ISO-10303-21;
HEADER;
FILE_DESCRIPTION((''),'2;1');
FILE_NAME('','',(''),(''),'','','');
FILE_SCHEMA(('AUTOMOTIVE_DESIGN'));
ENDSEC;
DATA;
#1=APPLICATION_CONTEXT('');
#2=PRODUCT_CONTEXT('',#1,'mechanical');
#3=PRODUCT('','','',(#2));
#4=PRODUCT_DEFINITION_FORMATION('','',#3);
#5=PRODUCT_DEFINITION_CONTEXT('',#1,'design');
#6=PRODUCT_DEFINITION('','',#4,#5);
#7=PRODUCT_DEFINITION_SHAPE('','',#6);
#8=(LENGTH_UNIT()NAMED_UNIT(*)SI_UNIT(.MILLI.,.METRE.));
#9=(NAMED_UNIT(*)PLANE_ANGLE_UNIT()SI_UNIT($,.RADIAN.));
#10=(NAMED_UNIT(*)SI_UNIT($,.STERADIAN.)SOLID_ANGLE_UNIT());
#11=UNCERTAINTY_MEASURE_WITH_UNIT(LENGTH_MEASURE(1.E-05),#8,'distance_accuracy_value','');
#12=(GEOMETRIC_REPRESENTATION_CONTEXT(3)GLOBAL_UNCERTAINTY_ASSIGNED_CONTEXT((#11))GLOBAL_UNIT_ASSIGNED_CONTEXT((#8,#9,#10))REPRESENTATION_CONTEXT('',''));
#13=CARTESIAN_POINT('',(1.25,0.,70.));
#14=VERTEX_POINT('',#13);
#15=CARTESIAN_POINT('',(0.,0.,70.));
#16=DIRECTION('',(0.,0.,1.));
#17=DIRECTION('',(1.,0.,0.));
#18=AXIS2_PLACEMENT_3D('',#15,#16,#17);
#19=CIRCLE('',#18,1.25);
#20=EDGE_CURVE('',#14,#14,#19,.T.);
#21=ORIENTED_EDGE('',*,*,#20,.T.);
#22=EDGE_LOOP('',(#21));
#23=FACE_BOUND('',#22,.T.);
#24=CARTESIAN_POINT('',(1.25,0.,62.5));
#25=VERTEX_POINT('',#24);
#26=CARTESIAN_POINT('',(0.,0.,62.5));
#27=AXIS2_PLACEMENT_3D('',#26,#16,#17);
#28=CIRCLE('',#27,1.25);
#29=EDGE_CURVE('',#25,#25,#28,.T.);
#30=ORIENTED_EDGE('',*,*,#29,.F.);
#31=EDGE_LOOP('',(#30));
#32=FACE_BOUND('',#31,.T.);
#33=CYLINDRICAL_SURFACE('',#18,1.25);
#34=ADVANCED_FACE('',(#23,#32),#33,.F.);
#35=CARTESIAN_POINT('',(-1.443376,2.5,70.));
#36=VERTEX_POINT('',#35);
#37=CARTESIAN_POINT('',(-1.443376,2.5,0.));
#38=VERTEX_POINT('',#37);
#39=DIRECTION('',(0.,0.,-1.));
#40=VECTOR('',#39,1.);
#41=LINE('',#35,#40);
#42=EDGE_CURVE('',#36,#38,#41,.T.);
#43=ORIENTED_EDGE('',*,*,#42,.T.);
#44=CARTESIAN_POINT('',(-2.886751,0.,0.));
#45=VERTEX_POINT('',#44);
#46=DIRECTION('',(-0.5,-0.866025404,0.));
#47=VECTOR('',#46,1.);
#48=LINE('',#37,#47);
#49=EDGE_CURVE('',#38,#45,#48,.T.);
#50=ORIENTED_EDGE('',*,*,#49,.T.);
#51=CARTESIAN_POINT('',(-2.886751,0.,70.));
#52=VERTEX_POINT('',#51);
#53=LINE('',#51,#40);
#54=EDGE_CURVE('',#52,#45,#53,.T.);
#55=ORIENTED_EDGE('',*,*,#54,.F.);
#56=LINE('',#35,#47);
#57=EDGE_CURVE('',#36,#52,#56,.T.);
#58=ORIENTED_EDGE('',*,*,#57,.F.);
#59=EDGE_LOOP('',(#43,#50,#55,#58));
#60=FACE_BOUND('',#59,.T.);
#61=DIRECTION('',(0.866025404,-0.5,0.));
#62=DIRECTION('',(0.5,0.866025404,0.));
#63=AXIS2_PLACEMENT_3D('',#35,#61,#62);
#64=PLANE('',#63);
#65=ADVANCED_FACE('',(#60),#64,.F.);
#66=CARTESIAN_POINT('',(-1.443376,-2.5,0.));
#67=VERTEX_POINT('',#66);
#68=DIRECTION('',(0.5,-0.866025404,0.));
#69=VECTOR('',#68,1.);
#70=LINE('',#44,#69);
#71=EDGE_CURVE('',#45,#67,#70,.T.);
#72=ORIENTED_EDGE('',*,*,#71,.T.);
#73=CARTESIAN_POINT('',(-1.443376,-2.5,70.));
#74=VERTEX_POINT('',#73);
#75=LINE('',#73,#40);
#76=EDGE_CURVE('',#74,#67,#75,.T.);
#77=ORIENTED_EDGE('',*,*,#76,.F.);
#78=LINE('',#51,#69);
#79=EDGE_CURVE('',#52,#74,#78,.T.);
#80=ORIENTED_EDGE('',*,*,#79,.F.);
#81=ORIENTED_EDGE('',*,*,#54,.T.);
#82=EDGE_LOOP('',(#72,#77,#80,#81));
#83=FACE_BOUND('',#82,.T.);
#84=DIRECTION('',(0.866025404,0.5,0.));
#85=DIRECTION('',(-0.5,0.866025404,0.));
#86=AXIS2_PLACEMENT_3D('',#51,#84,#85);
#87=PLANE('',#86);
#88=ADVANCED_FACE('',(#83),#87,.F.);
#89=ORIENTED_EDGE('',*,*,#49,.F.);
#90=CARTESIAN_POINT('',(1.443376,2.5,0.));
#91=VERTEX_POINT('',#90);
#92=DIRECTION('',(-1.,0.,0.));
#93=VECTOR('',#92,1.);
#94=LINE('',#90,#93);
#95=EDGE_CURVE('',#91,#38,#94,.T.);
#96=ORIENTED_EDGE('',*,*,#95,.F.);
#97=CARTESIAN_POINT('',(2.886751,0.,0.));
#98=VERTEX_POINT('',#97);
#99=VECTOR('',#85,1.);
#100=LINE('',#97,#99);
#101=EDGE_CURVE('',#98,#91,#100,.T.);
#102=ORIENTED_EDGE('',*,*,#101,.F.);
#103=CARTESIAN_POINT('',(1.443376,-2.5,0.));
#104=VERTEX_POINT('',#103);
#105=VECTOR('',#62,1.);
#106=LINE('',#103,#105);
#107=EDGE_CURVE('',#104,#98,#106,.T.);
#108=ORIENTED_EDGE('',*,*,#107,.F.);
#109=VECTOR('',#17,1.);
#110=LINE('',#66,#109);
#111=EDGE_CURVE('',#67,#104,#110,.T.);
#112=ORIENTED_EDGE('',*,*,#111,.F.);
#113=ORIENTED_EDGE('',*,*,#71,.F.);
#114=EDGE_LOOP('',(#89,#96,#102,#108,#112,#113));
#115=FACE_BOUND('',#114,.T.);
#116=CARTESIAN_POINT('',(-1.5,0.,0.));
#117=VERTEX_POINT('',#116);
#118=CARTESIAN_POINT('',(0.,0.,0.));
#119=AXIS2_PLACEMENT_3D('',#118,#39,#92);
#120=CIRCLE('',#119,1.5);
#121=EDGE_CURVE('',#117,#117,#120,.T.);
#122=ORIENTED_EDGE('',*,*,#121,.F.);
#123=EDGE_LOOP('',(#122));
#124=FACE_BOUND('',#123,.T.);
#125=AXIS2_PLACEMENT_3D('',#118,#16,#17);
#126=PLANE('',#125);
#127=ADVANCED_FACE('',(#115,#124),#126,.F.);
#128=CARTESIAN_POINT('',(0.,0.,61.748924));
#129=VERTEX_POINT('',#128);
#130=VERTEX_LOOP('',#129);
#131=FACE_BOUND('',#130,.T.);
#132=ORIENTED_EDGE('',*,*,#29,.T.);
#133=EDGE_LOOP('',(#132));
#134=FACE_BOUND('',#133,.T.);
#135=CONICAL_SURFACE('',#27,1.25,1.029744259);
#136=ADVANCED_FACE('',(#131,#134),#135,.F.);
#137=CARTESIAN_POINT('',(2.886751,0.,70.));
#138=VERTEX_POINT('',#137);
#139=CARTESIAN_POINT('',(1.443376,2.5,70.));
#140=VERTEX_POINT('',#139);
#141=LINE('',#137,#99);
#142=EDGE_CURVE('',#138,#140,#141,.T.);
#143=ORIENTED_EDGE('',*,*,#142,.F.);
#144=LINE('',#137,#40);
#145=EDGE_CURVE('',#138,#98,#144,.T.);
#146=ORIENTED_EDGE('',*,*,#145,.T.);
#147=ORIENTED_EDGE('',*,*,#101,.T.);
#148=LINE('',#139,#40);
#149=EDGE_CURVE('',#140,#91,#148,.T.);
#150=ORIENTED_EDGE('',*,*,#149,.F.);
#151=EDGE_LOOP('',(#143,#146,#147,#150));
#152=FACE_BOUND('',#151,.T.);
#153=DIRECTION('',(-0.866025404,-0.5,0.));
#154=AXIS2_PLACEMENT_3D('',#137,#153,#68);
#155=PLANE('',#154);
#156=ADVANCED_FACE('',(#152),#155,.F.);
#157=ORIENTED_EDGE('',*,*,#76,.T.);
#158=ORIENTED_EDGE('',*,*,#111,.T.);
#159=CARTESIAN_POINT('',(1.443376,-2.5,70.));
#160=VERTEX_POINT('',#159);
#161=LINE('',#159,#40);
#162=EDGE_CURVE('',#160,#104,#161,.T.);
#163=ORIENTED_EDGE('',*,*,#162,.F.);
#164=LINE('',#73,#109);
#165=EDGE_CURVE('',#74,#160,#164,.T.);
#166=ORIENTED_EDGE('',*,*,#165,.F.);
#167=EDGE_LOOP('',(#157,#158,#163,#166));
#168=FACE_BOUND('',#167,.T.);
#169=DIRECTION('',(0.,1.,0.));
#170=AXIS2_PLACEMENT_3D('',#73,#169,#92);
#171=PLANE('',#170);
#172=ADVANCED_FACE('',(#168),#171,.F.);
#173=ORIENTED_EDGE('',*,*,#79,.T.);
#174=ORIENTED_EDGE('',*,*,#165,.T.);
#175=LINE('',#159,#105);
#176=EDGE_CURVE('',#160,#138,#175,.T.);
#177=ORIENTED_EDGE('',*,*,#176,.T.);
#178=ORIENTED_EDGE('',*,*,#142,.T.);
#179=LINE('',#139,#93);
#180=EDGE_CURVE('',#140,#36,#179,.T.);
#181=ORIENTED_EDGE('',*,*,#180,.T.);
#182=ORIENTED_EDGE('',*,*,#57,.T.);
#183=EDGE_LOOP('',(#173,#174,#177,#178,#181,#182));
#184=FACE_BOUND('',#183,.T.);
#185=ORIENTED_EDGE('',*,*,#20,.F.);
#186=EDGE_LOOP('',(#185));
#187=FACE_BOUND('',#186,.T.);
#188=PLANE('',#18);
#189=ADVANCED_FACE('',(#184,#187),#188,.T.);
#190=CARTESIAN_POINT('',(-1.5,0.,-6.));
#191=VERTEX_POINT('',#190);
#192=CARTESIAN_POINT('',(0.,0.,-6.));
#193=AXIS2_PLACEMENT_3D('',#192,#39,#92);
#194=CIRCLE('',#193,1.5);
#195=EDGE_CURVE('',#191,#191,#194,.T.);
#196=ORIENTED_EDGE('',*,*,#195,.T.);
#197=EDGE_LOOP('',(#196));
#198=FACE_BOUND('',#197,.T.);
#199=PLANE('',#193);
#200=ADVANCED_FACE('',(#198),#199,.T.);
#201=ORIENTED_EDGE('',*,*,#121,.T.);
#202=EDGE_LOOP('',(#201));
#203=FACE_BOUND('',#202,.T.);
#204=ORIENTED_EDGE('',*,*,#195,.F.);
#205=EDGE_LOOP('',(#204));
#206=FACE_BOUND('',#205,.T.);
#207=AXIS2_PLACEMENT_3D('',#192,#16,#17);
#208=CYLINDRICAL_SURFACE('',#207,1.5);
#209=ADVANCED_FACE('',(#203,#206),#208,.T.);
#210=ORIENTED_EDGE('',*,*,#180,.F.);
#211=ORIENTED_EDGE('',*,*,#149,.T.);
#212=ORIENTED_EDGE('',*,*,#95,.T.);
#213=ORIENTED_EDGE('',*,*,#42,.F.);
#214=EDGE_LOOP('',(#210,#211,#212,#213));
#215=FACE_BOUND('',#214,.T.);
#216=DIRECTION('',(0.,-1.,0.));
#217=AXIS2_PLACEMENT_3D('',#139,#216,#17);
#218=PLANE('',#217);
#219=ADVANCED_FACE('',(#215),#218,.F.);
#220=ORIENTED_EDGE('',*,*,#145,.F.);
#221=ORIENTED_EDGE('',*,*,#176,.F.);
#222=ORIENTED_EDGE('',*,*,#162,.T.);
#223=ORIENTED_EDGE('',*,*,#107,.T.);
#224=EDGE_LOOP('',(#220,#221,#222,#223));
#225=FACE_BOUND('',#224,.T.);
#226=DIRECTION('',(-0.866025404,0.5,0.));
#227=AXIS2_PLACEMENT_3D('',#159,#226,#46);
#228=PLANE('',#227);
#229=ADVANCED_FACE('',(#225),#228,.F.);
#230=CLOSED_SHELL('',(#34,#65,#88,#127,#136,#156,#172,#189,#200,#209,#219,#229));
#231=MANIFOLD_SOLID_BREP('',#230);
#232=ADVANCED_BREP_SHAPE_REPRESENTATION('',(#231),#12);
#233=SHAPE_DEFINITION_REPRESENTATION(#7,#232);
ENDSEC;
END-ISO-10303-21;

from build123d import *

# Parameters (mm, degrees)
EXTRUDE_1_DEPTH = 70
SKETCH_4_R      = 1.5
EXTRUDE_2_DEPTH = 6
M3X0_5_1_D      = 2.5
M3X0_5_1_DEPTH  = 7.5
M3X0_5_1_TIP    = 0.751075774


with BuildPart() as part:
    # 草圖1 → 填料-伸長1 (new body)
    with BuildSketch(Plane.XY):
        Polygon((-1.443375673, 2.5), (-2.886751346, 0), (-1.443375673, -2.5), (1.443375673, -2.5), (2.886751346, 0), (1.443375673, 2.5), align=None)
    extrude(amount=EXTRUDE_1_DEPTH)

    # 草圖4 → 填料-伸長2 (add)
    with BuildSketch(Plane(origin=(0, 0, 0), x_dir=(-1, 0, 0), z_dir=(0, 0, -1))):
        Circle(SKETCH_4_R)
    extrude(amount=EXTRUDE_2_DEPTH)

    # M3x0.5 螺紋孔1
    with Locations(Plane.XY.offset(70)):
        with Locations((0, 0)):
            Hole(M3X0_5_1_D / 2, depth=M3X0_5_1_DEPTH)
            with Locations((0, 0, -(M3X0_5_1_DEPTH + M3X0_5_1_TIP / 2))):  # 118° drill point
                Cone(0, M3X0_5_1_D / 2, M3X0_5_1_TIP, mode=Mode.SUBTRACT)


solid = part.part
